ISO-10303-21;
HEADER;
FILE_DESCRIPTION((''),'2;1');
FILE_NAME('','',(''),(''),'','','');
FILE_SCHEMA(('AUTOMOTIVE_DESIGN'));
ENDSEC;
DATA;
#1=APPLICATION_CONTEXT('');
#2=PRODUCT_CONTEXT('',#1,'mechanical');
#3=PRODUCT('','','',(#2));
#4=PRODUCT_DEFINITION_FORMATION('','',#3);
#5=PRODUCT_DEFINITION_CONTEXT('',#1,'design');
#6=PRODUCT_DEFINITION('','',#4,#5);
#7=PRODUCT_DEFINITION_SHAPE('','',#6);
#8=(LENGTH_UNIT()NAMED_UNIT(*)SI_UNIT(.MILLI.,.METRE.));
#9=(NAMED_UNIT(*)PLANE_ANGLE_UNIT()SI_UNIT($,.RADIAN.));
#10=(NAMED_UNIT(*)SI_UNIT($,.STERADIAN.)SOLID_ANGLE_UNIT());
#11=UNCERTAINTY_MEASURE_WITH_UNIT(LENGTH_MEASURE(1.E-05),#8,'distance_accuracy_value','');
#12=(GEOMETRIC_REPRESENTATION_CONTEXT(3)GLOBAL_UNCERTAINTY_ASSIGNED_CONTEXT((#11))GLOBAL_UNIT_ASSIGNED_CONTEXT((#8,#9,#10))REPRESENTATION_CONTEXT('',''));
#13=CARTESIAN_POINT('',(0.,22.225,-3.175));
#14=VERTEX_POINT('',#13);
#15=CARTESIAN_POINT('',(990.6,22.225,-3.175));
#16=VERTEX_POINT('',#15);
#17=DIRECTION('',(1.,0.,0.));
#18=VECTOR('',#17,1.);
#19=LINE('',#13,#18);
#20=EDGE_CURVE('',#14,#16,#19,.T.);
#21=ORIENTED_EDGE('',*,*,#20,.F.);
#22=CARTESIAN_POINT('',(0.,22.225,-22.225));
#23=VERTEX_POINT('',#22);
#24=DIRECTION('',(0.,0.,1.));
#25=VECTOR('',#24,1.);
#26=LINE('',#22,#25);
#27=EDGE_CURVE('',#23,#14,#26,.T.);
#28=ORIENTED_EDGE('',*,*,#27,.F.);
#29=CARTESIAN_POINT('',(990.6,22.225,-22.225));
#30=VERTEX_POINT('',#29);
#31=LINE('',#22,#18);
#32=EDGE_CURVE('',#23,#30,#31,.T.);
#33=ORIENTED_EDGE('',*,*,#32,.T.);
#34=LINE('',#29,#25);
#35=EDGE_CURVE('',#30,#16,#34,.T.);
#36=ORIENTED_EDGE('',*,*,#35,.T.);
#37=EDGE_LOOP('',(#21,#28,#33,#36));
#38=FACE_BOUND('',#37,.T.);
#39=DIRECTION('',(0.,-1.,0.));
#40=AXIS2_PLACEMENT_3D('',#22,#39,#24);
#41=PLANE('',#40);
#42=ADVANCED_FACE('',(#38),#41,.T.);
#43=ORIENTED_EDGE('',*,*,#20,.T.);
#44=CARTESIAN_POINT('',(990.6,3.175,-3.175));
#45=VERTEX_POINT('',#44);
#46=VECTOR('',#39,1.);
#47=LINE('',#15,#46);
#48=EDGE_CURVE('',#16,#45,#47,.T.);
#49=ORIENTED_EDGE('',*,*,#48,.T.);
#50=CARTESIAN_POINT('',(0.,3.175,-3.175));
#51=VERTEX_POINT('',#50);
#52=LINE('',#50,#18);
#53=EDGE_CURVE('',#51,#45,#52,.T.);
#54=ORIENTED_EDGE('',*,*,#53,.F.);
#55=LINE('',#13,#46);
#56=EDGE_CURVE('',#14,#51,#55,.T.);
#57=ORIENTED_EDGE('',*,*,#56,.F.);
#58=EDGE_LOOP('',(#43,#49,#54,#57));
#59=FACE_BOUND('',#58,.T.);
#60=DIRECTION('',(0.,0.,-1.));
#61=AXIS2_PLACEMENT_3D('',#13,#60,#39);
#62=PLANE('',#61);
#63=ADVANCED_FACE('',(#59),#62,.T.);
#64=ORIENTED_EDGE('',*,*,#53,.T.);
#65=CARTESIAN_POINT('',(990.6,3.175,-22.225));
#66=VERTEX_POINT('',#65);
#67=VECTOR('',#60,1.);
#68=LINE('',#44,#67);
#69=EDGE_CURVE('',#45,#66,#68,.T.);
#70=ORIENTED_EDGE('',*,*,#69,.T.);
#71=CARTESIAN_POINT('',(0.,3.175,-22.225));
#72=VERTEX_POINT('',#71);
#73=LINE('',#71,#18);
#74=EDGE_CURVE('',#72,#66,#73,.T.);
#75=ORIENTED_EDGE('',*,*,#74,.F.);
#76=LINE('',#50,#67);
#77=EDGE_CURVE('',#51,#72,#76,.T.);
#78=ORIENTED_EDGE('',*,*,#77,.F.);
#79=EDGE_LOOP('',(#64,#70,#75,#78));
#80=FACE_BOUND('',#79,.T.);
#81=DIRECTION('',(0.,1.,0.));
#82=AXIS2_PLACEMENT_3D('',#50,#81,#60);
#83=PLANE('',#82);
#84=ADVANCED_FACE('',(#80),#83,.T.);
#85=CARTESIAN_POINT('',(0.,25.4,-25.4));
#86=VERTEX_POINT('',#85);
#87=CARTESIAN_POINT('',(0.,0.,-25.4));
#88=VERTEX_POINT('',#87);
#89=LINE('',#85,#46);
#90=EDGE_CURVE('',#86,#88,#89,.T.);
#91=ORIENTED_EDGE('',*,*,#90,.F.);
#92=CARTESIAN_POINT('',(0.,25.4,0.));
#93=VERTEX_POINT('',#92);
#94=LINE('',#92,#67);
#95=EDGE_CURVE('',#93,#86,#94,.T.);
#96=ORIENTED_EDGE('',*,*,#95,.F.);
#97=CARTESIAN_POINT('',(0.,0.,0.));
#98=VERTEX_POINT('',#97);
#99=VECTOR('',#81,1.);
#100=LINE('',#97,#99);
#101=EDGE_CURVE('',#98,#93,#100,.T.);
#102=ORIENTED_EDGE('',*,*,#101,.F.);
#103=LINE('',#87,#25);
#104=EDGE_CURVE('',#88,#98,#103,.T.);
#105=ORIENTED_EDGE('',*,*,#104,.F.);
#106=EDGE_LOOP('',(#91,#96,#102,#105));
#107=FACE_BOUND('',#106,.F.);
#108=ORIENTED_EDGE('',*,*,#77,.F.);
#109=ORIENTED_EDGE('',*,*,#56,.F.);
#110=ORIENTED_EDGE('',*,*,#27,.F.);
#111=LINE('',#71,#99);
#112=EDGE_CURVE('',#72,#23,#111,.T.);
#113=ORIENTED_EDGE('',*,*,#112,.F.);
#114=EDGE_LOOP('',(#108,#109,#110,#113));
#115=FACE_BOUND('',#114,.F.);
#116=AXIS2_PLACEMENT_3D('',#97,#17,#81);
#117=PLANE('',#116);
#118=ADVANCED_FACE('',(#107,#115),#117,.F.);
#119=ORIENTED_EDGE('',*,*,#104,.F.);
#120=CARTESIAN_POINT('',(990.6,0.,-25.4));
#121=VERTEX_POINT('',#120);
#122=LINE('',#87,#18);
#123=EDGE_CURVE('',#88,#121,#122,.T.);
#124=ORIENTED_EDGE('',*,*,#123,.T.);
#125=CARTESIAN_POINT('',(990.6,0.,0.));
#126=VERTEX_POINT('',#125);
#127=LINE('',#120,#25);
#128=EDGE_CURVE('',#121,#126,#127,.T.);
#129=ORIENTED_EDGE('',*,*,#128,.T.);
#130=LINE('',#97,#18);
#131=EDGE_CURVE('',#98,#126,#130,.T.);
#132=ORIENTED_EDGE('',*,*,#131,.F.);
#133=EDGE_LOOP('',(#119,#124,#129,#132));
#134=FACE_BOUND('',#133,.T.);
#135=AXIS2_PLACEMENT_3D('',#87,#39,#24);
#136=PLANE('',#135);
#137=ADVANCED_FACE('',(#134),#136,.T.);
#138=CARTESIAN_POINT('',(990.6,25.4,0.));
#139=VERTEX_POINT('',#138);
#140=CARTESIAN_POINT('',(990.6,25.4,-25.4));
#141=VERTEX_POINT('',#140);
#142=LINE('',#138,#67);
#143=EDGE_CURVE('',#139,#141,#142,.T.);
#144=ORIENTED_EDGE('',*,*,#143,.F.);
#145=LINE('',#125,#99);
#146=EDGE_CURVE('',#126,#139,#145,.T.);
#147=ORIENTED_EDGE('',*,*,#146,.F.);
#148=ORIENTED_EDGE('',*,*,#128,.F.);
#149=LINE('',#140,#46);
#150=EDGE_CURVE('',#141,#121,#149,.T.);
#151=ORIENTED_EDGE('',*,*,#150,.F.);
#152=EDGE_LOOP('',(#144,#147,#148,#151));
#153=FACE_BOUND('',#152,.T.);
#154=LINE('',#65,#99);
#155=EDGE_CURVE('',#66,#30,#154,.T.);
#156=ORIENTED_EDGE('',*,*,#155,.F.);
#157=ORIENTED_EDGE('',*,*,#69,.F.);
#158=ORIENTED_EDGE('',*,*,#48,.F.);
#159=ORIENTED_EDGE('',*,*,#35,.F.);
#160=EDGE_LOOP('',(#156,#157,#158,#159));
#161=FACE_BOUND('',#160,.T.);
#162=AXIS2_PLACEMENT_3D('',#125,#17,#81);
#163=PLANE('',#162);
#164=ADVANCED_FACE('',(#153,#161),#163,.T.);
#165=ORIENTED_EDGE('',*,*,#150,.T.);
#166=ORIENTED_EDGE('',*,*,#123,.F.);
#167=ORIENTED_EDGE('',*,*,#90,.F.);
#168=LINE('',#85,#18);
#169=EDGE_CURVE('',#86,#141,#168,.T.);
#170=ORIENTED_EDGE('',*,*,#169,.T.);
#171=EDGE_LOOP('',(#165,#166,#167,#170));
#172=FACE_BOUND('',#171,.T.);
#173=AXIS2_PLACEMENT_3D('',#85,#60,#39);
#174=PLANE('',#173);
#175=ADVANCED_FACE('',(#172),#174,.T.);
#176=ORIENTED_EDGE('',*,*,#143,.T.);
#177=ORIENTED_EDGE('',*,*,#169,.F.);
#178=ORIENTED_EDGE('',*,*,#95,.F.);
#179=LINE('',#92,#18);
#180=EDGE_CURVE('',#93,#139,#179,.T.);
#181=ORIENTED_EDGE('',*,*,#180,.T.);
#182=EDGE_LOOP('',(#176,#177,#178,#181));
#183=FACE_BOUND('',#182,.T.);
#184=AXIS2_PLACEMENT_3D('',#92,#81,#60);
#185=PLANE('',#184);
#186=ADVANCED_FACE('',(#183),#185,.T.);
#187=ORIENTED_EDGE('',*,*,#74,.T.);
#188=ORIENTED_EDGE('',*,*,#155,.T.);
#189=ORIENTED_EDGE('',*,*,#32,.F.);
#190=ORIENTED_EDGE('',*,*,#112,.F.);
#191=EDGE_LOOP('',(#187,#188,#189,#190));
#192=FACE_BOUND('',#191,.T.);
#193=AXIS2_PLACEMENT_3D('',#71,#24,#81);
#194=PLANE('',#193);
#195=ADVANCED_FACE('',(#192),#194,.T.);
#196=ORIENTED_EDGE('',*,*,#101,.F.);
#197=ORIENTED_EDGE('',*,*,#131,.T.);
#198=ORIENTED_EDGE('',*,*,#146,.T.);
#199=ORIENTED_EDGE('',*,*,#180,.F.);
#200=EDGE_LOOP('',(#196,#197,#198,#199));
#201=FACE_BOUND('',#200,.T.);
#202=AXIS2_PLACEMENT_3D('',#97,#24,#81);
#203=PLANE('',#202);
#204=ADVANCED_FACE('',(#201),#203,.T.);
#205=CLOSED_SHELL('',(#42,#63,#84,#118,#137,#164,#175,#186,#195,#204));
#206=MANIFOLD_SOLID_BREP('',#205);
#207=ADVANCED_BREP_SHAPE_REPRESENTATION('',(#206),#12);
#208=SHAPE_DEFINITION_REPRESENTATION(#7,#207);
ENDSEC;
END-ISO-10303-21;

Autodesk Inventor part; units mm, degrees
ref_plane "YZ Plane" through (0, 0, 0) normal (1, 0, 0) x (0, 1, 0)
ref_plane "XZ Plane" through (0, 0, 0) normal (0, 1, 0) x (-1, 0, 0)
ref_plane "XY Plane" through (0, 0, 0) normal (0, 0, 1) x (1, 0, 0)
sketch "Sketch1" plane through (0, 0, 0) normal (1, 0, 0) x (0, 1, 0)
  line L0 (0, 0) -> (25.4, 0)
  line L1 (25.4, 0) -> (25.4, -25.4)
  line L2 (25.4, -25.4) -> (0, -25.4)
  line L3 (0, -25.4) -> (0, 0)
  line L4 (22.225, -22.225) -> (22.225, -3.175)
  line L5 (22.225, -3.175) -> (3.175, -3.175)
  line L6 (3.175, -3.175) -> (3.175, -22.225)
  line L7 (3.175, -22.225) -> (22.225, -22.225)
  dimension "d0" = 25.4
  dimension "d1" = 25.4
  dimension "d2" = 3.175
extrude "Extrusion1" add sketch "Sketch1" along normal blind 990.6
properties part number "41inch 1x1 liftfirstbar" material "Aluminum 6061"
